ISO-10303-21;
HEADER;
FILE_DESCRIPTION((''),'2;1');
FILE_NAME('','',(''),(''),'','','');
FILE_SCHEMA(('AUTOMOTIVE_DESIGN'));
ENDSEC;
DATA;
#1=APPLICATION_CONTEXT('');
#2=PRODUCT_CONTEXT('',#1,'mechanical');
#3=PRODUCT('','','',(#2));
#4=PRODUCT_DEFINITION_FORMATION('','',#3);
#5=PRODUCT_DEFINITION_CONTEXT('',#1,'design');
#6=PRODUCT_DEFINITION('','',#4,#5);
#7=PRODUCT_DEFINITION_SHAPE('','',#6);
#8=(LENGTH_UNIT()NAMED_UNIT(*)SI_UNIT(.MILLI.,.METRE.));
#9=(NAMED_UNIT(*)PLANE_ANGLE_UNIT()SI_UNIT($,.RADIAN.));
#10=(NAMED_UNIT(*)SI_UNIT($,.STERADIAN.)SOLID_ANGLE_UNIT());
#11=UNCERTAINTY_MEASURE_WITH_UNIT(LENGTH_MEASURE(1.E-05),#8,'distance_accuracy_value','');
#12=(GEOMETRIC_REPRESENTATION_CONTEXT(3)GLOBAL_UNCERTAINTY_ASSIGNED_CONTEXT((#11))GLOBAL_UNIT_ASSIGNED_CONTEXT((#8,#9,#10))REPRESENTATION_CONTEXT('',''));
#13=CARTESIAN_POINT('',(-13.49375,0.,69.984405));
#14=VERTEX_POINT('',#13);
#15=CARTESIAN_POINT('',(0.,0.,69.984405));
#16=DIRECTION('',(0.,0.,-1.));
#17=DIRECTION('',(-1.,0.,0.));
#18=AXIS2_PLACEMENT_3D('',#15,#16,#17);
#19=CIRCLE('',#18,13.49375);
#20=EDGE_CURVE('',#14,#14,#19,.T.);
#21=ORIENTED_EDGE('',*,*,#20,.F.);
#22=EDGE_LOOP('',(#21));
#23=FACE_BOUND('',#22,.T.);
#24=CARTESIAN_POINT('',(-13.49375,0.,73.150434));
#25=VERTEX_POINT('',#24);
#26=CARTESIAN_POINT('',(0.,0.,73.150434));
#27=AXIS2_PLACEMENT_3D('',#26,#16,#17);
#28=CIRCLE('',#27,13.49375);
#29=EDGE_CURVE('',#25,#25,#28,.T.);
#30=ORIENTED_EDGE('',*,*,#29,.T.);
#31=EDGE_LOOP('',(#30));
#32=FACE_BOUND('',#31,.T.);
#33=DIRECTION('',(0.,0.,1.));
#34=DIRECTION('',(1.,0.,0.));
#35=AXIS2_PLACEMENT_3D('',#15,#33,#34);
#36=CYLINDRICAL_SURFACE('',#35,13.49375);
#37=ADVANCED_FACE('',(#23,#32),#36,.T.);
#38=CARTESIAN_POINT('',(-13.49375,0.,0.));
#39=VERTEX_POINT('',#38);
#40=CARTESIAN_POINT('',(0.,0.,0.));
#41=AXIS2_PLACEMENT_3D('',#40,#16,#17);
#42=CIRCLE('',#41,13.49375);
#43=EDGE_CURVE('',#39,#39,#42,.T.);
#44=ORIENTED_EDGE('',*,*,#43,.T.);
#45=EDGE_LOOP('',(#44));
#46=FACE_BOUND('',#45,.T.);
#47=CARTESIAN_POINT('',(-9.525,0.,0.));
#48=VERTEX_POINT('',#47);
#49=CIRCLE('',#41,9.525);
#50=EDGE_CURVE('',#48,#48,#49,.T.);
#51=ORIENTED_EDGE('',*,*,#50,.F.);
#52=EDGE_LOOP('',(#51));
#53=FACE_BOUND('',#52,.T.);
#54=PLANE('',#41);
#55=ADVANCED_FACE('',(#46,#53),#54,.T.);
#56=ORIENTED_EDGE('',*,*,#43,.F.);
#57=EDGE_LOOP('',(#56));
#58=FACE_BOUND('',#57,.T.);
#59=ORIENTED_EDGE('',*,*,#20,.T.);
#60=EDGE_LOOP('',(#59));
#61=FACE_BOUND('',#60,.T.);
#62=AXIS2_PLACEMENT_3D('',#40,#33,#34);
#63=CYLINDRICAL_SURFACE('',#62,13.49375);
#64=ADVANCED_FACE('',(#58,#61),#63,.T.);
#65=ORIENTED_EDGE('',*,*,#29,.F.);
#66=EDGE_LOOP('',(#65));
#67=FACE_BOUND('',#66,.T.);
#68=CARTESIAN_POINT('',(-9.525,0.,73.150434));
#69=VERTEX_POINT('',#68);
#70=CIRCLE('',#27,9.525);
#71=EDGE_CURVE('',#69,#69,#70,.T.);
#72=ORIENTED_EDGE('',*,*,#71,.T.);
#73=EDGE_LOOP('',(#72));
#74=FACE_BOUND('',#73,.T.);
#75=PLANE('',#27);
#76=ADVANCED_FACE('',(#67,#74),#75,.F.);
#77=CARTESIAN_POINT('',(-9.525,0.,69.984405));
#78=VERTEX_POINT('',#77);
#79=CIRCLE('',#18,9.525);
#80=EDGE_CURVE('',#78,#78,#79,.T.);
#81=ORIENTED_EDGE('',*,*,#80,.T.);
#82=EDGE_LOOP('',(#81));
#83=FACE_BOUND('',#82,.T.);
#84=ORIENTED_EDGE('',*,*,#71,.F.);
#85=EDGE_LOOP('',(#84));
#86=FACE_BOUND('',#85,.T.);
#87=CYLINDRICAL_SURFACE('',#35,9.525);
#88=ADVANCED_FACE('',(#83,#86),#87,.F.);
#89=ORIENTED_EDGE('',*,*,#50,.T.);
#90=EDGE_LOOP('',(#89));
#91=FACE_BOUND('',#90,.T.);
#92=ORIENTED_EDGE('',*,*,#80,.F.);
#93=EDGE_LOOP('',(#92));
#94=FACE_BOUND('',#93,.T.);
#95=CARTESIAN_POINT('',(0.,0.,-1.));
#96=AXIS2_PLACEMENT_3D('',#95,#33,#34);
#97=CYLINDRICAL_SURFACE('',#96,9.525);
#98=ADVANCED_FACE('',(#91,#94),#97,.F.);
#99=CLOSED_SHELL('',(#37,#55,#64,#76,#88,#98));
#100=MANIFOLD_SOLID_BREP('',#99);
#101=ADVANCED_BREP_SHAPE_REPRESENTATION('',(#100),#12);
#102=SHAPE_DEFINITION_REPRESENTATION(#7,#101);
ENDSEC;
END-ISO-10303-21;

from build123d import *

# Parameters (mm, degrees)
SWEEP1_PROFILE_R     = 13.49375
CUT_SWEEP1_PROFILE_R = 9.525


with BuildPart() as part:
    # Sweep1: sweep along a curve in space
    with BuildLine() as sweep1_path:
        Line((0, 0, 0), (0, 0, 69.984404801))
        Line((0, 0, 69.984404801), (0, 0, 73.150434189))
    # Sweep1 profile (on start of the path) → Sweep1 (sweep)
    with BuildSketch(Plane.XY):
        Circle(SWEEP1_PROFILE_R)
    sweep(path=sweep1_path.line)

    # Cut-Sweep1: sweep along a curve in space
    with BuildLine() as cut_sweep1_path:
        Line((0, 0, 0), (0, 0, 69.984404801))
        Line((0, 0, 69.984404801), (0, 0, 73.150434189))
    # Cut-Sweep1 profile (on start of the path) → Cut-Sweep1 (sweep, cut)
    with BuildSketch(Plane.XY):
        Circle(CUT_SWEEP1_PROFILE_R)
    sweep(path=cut_sweep1_path.line, mode=Mode.SUBTRACT)


solid = part.part
